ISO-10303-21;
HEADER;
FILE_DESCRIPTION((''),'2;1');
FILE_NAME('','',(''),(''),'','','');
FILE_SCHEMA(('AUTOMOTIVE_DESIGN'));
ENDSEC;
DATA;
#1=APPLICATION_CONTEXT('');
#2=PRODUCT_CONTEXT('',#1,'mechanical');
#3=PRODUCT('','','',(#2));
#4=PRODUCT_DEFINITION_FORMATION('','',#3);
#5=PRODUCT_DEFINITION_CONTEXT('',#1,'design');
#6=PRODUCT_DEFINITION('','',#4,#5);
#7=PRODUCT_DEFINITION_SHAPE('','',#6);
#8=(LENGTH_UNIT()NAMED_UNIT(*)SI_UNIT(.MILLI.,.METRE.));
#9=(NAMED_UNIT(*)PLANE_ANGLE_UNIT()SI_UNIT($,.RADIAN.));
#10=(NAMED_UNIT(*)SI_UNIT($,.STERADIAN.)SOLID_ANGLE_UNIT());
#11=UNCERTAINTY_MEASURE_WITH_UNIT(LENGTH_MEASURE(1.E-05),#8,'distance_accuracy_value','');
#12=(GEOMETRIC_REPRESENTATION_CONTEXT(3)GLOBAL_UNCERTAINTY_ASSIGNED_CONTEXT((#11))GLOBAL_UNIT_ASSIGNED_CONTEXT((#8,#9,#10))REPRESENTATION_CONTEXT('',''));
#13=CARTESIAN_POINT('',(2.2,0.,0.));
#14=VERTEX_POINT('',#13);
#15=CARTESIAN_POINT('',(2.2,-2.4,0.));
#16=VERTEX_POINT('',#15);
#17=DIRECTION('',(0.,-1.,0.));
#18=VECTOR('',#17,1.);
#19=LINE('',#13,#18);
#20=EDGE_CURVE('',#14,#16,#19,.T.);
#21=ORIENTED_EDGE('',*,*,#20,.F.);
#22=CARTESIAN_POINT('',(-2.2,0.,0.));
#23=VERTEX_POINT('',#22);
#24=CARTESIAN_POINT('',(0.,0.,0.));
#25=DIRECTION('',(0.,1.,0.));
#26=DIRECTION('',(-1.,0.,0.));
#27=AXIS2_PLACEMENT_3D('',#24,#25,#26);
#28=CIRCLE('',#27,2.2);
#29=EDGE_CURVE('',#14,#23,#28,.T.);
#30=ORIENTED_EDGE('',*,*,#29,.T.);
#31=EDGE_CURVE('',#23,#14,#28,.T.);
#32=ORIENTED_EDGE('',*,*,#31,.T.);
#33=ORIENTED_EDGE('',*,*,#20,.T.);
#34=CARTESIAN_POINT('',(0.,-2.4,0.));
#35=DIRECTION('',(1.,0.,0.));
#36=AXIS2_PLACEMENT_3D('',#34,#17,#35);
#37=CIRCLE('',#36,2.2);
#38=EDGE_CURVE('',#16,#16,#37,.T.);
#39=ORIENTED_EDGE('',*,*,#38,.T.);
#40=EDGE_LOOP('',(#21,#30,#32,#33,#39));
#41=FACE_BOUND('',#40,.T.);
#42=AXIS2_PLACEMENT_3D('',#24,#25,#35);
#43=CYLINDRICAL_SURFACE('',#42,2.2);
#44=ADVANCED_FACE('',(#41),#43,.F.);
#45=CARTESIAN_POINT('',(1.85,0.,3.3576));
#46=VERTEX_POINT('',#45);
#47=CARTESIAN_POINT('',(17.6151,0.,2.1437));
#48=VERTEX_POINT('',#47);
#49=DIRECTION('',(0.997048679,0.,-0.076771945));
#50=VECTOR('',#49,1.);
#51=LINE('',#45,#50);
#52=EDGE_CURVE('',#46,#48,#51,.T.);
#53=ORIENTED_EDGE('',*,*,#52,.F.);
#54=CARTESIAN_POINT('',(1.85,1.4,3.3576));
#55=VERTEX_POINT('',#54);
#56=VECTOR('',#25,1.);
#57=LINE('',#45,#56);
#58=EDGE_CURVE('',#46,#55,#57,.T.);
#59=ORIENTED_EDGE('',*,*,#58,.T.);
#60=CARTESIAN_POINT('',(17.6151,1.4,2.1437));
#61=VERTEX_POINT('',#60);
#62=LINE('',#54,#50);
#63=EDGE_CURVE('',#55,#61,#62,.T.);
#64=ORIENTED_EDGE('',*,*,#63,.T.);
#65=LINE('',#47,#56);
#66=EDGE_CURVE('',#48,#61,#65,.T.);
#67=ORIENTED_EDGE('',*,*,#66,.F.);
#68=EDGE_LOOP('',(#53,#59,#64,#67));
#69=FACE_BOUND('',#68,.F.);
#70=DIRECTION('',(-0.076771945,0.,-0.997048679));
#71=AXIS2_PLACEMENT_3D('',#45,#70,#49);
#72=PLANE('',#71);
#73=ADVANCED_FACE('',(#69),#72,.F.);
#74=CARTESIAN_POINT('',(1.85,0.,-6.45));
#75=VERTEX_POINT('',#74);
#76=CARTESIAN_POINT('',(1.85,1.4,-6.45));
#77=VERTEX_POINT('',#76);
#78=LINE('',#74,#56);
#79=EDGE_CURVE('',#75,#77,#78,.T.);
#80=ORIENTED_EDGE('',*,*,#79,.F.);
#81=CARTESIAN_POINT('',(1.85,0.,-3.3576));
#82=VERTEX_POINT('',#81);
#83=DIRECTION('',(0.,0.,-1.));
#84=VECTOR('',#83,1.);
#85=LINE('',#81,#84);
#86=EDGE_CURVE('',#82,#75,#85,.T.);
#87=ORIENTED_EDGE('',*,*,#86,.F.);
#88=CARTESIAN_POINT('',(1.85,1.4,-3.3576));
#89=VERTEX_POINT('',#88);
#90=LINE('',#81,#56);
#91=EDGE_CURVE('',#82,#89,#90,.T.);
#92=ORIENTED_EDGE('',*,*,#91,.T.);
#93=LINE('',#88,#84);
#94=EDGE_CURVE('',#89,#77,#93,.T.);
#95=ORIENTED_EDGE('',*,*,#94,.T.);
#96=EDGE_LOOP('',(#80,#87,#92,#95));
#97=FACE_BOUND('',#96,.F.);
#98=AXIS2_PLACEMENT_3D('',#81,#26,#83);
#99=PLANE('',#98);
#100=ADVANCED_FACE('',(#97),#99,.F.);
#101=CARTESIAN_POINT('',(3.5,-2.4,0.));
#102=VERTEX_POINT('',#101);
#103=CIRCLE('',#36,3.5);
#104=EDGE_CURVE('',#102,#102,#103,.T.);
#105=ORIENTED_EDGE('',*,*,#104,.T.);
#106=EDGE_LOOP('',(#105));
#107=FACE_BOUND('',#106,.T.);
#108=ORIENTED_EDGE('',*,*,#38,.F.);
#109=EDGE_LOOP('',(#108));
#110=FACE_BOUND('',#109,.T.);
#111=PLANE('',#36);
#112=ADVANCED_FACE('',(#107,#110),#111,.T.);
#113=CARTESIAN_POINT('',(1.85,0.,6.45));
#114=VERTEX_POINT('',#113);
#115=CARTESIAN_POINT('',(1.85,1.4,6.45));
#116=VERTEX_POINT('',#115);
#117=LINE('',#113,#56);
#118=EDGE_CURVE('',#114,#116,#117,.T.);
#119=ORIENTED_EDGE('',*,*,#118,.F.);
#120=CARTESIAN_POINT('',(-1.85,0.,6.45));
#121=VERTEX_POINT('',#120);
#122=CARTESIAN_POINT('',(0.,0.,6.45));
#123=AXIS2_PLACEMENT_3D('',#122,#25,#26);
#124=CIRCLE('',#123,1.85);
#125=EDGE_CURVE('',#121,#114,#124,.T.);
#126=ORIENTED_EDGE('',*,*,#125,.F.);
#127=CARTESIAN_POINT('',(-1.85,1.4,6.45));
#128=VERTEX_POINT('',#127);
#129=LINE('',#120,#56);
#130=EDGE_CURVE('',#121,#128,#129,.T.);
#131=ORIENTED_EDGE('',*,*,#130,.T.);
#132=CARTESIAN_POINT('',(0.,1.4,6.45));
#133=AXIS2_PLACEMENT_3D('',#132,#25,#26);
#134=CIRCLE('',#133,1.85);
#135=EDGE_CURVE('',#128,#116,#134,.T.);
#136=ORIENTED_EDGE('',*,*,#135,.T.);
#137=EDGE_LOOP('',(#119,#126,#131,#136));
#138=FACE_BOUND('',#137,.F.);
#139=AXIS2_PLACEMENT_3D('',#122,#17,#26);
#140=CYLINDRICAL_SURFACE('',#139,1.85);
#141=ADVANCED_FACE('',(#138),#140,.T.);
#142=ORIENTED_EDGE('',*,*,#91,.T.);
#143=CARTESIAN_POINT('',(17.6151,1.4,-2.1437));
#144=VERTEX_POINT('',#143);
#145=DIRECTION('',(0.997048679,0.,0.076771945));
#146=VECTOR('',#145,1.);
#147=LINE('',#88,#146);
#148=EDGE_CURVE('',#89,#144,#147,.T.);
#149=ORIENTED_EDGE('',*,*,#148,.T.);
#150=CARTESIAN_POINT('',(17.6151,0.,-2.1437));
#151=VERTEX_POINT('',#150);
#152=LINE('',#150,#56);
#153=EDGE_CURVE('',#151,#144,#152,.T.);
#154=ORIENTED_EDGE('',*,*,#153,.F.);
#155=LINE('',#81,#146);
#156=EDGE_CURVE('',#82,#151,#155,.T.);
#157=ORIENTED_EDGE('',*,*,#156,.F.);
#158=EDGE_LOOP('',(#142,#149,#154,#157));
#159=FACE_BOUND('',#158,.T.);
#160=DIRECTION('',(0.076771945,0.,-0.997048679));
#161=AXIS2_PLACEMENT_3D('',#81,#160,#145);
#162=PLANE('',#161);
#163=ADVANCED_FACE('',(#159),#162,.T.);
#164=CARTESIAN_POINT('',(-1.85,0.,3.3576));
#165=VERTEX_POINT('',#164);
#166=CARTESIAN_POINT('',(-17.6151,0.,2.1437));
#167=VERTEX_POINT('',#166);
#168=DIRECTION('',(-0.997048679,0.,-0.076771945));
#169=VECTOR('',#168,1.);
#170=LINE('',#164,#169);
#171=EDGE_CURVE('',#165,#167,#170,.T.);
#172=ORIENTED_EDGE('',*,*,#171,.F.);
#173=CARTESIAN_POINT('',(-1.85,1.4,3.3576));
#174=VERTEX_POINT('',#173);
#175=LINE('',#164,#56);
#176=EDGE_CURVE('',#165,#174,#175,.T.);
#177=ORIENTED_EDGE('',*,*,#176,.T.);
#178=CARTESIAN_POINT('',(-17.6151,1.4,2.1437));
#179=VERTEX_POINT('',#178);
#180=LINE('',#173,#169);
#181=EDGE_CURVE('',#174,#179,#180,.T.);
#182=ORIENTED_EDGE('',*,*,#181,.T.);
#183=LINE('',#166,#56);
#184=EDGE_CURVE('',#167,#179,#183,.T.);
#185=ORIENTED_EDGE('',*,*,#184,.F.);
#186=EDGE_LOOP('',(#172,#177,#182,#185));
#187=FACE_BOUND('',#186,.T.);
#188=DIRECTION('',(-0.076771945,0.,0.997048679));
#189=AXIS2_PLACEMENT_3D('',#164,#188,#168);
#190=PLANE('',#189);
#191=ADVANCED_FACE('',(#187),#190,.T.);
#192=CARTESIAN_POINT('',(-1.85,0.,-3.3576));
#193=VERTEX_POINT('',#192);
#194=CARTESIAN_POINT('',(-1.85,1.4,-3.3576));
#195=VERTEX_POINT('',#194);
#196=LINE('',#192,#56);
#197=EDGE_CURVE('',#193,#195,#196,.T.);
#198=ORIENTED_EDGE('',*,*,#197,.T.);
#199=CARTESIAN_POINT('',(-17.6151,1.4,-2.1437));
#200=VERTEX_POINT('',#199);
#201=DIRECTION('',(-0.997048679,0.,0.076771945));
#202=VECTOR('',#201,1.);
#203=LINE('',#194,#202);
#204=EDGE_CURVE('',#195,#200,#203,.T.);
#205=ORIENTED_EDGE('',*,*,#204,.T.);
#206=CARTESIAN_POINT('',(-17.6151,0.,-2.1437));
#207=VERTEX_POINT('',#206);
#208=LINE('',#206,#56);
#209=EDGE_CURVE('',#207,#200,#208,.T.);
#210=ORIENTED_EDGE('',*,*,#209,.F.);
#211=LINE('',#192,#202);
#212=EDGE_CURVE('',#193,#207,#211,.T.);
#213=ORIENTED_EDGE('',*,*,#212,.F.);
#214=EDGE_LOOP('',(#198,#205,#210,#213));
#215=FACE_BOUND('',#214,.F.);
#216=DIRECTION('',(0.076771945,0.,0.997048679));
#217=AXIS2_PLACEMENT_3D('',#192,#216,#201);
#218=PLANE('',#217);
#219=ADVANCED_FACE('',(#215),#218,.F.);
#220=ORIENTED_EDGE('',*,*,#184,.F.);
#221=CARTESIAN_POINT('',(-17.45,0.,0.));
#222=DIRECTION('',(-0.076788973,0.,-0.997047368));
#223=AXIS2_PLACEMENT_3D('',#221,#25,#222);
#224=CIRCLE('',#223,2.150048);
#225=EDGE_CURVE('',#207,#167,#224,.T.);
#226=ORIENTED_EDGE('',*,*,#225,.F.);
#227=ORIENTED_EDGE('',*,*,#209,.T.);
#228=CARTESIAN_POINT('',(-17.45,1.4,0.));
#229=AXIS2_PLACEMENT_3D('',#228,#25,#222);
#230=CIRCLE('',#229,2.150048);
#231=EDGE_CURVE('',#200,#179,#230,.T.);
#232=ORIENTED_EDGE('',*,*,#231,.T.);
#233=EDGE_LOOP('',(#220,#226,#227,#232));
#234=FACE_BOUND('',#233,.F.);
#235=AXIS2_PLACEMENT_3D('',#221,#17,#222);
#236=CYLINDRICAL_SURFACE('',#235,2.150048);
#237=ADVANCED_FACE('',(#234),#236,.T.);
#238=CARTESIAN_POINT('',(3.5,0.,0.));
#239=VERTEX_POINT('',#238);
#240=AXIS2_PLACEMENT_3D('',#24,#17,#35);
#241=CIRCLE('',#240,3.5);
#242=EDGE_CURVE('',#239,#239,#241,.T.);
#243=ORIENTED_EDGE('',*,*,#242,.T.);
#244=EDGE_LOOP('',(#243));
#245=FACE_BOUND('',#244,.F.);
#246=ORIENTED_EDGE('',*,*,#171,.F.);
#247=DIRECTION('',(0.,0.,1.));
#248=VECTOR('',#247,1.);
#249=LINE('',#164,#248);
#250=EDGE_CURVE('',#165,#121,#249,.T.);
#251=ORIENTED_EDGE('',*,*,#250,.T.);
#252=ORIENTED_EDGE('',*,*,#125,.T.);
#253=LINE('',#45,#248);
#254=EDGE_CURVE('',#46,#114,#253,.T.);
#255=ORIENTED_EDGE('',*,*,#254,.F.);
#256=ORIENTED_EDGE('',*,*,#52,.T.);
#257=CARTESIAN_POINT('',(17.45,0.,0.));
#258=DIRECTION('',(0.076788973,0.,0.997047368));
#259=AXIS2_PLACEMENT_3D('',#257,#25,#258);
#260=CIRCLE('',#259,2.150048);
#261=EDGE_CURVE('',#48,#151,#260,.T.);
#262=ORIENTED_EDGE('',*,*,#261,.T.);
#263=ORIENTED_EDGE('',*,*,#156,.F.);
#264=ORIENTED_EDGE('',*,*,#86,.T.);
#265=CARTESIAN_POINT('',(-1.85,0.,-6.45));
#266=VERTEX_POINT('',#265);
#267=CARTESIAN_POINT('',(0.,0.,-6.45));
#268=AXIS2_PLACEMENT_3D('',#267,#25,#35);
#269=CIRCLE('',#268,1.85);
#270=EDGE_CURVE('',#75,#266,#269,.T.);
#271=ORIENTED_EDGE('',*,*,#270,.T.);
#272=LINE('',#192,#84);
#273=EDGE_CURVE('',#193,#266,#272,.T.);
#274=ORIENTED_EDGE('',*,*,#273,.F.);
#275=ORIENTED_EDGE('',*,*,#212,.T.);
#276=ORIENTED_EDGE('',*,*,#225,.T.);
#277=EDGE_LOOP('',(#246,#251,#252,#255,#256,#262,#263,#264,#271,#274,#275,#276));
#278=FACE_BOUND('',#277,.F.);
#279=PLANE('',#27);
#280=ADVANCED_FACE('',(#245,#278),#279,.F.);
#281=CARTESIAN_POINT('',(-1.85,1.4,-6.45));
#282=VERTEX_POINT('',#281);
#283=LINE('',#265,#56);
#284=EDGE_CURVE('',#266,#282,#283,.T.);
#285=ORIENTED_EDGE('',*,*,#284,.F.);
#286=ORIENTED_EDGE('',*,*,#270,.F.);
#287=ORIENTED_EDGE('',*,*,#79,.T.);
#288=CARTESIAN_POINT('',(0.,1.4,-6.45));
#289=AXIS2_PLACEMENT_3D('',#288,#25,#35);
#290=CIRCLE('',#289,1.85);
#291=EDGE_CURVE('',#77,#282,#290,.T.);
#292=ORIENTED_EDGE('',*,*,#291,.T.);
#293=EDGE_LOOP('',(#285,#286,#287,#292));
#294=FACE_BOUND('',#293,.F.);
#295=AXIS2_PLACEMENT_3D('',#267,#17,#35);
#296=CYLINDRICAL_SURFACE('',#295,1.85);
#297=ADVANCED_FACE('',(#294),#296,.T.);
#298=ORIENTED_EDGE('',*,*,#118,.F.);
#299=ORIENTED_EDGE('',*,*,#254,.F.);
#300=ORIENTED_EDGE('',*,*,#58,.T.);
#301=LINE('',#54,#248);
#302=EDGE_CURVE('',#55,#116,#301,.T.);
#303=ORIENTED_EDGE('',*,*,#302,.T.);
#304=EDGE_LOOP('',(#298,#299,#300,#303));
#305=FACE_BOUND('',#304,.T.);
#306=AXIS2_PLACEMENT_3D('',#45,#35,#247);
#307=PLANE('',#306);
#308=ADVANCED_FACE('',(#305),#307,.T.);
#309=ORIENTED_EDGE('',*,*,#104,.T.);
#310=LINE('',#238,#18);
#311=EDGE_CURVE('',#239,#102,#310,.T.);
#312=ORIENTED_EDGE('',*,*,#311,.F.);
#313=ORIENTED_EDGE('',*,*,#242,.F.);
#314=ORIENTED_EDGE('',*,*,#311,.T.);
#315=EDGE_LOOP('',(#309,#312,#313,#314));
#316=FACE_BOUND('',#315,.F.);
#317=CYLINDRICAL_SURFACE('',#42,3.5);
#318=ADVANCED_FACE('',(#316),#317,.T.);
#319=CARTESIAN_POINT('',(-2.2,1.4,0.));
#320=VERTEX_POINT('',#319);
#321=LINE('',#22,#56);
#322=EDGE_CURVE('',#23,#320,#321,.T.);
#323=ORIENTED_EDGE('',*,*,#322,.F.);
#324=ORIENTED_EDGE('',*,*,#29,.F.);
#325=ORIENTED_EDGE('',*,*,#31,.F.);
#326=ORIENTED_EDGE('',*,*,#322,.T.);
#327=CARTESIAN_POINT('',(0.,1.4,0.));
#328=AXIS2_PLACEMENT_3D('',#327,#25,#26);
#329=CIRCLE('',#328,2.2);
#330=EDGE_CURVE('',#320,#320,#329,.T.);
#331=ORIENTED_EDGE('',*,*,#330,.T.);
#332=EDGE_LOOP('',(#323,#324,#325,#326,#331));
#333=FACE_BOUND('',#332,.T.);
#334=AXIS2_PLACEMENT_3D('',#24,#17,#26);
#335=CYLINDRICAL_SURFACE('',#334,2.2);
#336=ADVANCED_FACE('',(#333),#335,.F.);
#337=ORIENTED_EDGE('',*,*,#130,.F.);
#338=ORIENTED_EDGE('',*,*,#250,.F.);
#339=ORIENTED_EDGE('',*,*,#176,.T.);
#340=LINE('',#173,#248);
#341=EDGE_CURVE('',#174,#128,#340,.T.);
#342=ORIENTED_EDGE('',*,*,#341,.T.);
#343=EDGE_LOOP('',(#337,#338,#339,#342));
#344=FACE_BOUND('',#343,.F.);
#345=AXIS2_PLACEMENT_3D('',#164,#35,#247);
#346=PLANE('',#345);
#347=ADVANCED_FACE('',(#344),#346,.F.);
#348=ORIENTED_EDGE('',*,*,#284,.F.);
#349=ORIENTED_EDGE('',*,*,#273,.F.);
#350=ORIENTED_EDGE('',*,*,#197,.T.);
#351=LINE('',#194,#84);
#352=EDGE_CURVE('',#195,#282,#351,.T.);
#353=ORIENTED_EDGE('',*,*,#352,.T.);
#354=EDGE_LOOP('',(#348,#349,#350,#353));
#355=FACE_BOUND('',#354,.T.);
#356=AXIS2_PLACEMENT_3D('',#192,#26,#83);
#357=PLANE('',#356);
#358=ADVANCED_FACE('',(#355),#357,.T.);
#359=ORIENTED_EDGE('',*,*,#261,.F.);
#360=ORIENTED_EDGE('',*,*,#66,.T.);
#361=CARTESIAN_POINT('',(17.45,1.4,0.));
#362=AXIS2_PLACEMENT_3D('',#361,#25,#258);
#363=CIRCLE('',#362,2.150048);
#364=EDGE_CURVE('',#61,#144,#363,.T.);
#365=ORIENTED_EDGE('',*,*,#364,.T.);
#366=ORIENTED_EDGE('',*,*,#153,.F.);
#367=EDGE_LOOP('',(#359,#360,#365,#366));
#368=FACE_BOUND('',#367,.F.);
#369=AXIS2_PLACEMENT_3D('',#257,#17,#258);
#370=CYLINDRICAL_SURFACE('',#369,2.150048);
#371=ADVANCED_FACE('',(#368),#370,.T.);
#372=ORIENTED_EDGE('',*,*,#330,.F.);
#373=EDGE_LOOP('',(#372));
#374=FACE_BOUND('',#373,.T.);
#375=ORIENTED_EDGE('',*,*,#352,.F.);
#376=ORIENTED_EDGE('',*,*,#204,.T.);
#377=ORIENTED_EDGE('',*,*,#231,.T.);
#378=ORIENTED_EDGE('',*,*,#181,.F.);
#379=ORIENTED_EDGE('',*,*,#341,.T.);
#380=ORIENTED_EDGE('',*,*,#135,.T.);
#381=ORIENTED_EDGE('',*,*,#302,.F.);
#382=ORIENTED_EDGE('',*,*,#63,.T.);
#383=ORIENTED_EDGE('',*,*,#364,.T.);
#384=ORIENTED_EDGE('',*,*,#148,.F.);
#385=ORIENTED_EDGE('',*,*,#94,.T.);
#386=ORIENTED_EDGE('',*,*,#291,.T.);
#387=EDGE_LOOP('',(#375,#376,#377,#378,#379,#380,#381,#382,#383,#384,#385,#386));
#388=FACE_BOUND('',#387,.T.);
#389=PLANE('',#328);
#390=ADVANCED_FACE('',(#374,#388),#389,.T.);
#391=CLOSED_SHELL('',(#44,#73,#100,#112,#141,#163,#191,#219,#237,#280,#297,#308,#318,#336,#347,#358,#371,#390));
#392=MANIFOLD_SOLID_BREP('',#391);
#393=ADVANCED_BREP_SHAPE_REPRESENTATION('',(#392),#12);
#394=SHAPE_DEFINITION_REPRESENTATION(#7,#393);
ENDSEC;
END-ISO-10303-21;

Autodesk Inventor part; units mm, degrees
ref_plane "YZ Plane" through (0, 0, 0) normal (1, 0, 0) x (0, 1, 0)
ref_plane "XZ Plane" through (0, 0, 0) normal (0, 1, 0) x (-1, 0, 0)
ref_plane "XY Plane" through (0, 0, 0) normal (0, 0, 1) x (1, 0, 0)
sketch "Szkic1" plane through (0, 0, 0) normal (0, 1, 0) x (-1, 0, 0)
  line L0 (0, 0) -> (19.6, 0) construction
  line L1 (0, 0) -> (-19.6, 0) construction
  line L2 (0, 0) -> (0, 8.3) construction
  line L3 (0, 0) -> (0, -8.3) construction
  circle A0 centre (0, 0) radius 2.2 construction
  line L4 (0, -8.3) -> (0, -6.45) construction
  circle A1 centre (0, -6.45) radius 1.85 construction
  line L5 (0, 8.3) -> (0, 6.45) construction
  circle A2 centre (0, 6.45) radius 1.85 construction
  circle A3 centre (0, 0) radius 3.5 construction
  line L6 (19.6, 0) -> (17.45, 0) construction
  circle A4 centre (17.45, 0) radius 2.15 construction
  line L7 (-19.6, 0) -> (-17.45, 0) construction
  circle A5 centre (-17.45, 0) radius 2.15 construction
  line L8 (0, 3.5) -> (-17.6151, 2.1437) construction
  line L9 (0, -3.5) -> (-17.6151, -2.1437) construction
  line L10 (0, 3.5) -> (17.6151, 2.1437) construction
  line L11 (0, -3.5) -> (17.6151, -2.1437) construction
  arc A6 (1.85, 6.45) -> (-1.85, 6.45) centre (0, 6.45) ccw
  arc A7 (-1.85, -6.45) -> (1.85, -6.45) centre (0, -6.45) ccw
  arc A8 (17.6151, -2.1437) -> (17.6151, 2.1437) centre (17.45, 0) ccw
  arc A9 (-17.6151, 2.1437) -> (-17.6151, -2.1437) centre (-17.45, 0) ccw
  circle A10 centre (0, 0) radius 2.2
  line L12 (1.85, 6.45) -> (1.85, -6.45) construction
  line L13 (-1.85, 6.45) -> (-1.85, -6.45) construction
  line L14 (1.85, 3.3576) -> (1.85, 6.45)
  line L15 (-1.85, 3.3576) -> (-1.85, 6.45)
  line L16 (-1.85, -3.3576) -> (-1.85, -6.45)
  line L17 (1.85, -3.3576) -> (1.85, -6.45)
  line L18 (1.85, -3.3576) -> (17.6151, -2.1437)
  line L19 (1.85, 3.3576) -> (17.6151, 2.1437)
  line L20 (-1.85, 3.3576) -> (-17.6151, 2.1437)
  line L21 (-1.85, -3.3576) -> (-17.6151, -2.1437)
  dimension "d0" = 19.6
  dimension "d1" = 19.6
  dimension "d2" = 8.3
  dimension "d3" = 8.3
  dimension "d4" = 4.4
  dimension "d5" = 1.85
  dimension "d6" = 1.85
  dimension "d7" = 7
  dimension "d8" = 2.15
  dimension "d9" = 2.15
extrude "Wyciągnięcie proste1" add sketch "Szkic1" along normal blind 1.4
sketch "Szkic2" plane through (0, 0, 0) normal (0, -1, 0) x (1, 0, 0)
  circle A0 centre (0, 0) radius 2.2 projected
  circle A1 centre (0, 0) radius 3.5
  dimension "d12" = 7
extrude "Wyciągnięcie proste2" add sketch "Szkic2" along normal blind 2.4
properties part number "orczyk_k"
